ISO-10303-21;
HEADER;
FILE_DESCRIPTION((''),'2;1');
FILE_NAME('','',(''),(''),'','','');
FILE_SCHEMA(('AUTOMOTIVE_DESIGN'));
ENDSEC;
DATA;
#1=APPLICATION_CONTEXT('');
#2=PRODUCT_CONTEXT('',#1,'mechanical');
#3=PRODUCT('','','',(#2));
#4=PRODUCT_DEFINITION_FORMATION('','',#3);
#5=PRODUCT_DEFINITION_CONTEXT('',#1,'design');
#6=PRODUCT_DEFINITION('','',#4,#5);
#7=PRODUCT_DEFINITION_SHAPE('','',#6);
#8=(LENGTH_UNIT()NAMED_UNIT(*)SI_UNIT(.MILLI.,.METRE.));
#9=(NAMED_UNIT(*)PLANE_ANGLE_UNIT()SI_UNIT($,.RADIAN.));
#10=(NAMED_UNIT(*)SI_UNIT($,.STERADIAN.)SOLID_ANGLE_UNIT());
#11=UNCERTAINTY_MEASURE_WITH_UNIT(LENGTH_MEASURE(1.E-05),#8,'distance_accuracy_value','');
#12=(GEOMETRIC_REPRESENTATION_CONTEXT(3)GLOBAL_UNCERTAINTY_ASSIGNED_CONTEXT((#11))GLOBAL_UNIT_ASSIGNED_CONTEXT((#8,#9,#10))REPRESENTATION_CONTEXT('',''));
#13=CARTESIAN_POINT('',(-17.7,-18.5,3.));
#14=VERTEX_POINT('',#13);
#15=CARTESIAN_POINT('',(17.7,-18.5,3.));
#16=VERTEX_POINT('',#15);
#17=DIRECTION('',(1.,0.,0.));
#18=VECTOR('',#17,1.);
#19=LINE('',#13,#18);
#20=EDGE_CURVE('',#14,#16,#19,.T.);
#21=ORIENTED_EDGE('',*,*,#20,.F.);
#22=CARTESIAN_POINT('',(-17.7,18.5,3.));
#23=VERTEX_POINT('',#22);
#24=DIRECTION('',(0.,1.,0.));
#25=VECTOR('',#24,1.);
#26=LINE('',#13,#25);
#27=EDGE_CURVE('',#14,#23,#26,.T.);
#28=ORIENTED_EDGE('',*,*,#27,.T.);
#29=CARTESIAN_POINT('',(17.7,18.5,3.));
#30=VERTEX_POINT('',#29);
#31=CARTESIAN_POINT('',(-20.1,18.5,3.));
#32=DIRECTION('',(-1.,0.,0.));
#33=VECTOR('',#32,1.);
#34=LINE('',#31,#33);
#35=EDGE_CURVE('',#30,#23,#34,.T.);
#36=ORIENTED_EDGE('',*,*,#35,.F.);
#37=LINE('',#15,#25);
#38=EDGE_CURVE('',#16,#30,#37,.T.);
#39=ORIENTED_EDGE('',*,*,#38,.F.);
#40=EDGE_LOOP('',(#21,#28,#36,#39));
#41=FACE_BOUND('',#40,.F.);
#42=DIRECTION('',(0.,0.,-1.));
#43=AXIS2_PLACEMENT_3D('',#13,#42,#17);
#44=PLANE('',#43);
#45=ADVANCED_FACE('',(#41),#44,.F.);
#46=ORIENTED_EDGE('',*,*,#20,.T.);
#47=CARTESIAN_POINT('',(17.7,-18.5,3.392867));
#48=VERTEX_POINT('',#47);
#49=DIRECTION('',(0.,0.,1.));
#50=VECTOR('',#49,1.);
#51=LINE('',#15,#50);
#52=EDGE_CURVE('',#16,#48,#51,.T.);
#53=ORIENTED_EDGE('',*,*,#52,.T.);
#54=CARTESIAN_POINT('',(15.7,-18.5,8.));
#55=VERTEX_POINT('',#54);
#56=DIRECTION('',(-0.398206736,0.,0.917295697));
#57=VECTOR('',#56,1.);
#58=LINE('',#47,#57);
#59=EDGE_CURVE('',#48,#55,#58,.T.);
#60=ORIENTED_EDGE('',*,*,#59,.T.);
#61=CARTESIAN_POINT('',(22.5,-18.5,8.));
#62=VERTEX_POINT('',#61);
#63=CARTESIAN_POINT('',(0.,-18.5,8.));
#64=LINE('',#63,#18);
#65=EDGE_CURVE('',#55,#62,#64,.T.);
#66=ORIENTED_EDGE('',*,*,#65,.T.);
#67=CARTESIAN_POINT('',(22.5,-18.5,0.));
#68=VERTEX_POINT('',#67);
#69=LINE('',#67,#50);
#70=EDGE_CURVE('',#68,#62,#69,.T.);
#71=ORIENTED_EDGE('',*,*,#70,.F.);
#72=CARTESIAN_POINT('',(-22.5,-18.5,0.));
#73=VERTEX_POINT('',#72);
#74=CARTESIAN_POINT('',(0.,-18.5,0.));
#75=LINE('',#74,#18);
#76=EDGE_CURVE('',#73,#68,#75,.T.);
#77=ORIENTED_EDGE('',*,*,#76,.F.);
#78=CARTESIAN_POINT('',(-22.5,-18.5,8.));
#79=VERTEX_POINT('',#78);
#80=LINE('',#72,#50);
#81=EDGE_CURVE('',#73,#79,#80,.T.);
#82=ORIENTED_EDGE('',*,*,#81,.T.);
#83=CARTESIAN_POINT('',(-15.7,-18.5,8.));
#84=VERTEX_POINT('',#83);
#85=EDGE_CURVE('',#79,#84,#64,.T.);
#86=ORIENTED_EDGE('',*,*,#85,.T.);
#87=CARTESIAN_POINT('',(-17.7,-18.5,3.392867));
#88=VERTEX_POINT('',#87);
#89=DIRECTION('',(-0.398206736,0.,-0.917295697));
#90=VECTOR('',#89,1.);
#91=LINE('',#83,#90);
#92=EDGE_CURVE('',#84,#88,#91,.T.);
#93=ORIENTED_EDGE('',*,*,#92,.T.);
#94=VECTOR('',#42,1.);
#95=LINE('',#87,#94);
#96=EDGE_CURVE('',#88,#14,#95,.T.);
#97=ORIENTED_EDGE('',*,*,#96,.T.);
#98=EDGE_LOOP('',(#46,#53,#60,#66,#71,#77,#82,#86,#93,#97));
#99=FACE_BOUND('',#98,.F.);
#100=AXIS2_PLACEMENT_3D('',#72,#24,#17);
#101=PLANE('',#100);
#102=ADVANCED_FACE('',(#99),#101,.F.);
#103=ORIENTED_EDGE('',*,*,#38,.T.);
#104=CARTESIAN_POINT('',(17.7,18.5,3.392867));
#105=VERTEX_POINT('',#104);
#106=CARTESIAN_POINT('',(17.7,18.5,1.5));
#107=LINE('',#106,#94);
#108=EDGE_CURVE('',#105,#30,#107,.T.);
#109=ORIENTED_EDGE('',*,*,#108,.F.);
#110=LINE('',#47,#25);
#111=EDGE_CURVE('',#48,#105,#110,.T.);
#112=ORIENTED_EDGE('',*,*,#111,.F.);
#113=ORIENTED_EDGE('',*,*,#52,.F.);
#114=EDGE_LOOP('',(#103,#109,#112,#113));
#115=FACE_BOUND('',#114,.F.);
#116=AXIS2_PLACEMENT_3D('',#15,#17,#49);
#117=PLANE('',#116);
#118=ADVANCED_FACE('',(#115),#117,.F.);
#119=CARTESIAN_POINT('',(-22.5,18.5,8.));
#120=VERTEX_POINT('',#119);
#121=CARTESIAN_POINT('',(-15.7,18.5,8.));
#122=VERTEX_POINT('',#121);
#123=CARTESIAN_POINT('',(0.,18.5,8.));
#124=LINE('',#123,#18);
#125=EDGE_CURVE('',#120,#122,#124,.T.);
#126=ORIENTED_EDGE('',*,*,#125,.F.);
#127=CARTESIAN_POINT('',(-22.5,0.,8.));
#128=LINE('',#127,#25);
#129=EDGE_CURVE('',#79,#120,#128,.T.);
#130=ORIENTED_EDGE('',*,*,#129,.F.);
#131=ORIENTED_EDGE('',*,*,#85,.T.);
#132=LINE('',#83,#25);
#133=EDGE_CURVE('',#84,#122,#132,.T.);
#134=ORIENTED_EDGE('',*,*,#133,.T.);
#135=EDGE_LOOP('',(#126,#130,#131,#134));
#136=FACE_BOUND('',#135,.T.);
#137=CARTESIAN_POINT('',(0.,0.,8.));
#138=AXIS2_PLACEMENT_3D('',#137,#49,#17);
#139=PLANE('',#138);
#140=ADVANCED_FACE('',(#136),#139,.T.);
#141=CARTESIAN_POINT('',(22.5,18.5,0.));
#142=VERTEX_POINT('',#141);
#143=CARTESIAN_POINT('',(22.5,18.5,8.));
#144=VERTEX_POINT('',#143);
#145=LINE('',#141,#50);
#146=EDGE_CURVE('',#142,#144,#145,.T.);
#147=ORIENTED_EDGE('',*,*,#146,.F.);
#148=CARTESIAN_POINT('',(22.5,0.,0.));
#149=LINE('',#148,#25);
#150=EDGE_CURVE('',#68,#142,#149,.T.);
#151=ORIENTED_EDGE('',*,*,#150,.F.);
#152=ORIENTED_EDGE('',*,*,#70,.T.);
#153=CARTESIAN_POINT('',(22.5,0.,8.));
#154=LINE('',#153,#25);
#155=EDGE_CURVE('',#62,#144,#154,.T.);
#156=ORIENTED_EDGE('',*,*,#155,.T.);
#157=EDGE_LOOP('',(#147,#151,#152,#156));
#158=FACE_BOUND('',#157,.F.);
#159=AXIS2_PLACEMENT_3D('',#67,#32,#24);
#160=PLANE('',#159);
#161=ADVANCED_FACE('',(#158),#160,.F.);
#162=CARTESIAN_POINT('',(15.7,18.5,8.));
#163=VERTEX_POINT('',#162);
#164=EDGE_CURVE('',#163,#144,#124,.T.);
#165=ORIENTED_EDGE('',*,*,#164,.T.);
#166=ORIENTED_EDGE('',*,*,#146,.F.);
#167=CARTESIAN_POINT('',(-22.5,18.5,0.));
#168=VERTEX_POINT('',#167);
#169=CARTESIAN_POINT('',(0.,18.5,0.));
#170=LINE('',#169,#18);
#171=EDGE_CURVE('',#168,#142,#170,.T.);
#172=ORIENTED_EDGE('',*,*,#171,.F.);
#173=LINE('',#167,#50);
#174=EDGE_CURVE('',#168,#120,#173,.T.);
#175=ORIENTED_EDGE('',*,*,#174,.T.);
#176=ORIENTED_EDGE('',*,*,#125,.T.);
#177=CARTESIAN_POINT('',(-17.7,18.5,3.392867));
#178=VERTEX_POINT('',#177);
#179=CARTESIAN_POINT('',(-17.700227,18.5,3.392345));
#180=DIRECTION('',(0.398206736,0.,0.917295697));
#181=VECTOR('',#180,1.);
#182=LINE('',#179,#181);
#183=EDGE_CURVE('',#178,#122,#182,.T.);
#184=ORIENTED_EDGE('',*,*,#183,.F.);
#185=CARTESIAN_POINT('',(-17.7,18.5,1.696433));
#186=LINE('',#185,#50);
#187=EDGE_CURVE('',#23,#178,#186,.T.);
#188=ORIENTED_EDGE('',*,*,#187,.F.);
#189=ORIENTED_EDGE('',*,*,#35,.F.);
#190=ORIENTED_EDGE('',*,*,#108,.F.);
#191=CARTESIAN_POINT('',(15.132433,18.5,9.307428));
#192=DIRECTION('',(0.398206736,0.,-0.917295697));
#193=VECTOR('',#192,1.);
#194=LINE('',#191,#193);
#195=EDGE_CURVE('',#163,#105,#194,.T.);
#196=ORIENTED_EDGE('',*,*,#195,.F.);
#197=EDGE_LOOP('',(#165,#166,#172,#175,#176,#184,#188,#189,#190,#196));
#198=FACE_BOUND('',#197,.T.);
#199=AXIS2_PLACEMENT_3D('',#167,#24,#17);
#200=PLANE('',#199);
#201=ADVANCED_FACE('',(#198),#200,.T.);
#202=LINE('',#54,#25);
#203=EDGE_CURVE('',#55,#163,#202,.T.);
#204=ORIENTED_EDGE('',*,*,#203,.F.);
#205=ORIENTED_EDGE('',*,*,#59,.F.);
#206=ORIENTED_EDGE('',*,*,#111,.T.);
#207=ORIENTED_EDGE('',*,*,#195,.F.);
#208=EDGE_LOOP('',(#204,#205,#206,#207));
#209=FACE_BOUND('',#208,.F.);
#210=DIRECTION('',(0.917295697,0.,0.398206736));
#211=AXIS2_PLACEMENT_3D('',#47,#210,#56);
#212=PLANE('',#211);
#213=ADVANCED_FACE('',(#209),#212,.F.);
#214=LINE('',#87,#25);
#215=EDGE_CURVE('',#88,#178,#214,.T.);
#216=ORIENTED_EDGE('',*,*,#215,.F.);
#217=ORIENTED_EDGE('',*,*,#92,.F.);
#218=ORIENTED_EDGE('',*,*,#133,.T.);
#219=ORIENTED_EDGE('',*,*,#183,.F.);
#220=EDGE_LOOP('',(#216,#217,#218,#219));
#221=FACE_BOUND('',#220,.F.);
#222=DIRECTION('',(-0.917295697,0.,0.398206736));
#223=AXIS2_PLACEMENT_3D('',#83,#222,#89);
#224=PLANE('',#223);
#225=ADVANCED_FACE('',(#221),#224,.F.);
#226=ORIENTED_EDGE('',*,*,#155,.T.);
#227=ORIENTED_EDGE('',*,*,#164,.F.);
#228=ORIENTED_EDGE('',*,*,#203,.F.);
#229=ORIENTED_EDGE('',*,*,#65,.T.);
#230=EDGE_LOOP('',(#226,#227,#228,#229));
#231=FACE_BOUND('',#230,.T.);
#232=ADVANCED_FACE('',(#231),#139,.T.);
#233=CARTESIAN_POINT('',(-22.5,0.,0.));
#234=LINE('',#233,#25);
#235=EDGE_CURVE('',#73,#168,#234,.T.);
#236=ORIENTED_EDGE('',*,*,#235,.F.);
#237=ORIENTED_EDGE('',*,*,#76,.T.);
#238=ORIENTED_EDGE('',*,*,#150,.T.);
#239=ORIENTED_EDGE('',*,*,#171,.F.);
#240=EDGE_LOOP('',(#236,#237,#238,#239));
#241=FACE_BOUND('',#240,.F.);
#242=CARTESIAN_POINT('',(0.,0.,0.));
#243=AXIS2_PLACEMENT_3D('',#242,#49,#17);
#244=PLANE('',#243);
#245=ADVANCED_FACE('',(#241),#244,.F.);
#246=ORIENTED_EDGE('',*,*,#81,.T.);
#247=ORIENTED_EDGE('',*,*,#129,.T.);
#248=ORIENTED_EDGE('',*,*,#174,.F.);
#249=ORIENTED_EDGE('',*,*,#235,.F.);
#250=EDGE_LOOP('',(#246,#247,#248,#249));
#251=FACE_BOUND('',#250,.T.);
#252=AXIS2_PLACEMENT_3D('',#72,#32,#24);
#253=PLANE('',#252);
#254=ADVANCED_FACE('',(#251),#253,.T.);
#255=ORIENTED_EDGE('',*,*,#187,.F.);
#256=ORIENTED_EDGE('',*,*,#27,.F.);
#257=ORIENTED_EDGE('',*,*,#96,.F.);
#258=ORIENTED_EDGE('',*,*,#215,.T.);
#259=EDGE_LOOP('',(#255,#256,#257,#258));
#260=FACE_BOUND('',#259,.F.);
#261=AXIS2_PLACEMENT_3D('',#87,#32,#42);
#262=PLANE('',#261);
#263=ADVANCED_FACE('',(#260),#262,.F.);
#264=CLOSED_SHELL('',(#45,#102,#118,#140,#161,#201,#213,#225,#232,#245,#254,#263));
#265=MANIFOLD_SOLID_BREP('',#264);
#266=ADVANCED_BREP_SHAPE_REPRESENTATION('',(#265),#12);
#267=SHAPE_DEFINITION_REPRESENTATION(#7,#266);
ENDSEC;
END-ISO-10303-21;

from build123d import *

# Parameters (mm, degrees)
F0_W     = 45
F0_H     = 37
F1_DEPTH = 8
F3_DEPTH = 37.001


with BuildPart() as f1:
    # F0 (on Top) → F1 (new body)
    with BuildSketch(Plane.XY):
        Rectangle(F0_W, F0_H)
    extrude(amount=F1_DEPTH)

    # F2 (on face) → F3 (cut, through all)
    with BuildSketch(Plane.XZ.offset(18.5)):
        Polygon((15.7, 8), (-15.7, 8), (-17.7, 3.392867), (-17.7, 3), (17.7, 3), (17.7, 3.392867), align=None)
    extrude(amount=-F3_DEPTH, mode=Mode.SUBTRACT)


solid = f1.part
